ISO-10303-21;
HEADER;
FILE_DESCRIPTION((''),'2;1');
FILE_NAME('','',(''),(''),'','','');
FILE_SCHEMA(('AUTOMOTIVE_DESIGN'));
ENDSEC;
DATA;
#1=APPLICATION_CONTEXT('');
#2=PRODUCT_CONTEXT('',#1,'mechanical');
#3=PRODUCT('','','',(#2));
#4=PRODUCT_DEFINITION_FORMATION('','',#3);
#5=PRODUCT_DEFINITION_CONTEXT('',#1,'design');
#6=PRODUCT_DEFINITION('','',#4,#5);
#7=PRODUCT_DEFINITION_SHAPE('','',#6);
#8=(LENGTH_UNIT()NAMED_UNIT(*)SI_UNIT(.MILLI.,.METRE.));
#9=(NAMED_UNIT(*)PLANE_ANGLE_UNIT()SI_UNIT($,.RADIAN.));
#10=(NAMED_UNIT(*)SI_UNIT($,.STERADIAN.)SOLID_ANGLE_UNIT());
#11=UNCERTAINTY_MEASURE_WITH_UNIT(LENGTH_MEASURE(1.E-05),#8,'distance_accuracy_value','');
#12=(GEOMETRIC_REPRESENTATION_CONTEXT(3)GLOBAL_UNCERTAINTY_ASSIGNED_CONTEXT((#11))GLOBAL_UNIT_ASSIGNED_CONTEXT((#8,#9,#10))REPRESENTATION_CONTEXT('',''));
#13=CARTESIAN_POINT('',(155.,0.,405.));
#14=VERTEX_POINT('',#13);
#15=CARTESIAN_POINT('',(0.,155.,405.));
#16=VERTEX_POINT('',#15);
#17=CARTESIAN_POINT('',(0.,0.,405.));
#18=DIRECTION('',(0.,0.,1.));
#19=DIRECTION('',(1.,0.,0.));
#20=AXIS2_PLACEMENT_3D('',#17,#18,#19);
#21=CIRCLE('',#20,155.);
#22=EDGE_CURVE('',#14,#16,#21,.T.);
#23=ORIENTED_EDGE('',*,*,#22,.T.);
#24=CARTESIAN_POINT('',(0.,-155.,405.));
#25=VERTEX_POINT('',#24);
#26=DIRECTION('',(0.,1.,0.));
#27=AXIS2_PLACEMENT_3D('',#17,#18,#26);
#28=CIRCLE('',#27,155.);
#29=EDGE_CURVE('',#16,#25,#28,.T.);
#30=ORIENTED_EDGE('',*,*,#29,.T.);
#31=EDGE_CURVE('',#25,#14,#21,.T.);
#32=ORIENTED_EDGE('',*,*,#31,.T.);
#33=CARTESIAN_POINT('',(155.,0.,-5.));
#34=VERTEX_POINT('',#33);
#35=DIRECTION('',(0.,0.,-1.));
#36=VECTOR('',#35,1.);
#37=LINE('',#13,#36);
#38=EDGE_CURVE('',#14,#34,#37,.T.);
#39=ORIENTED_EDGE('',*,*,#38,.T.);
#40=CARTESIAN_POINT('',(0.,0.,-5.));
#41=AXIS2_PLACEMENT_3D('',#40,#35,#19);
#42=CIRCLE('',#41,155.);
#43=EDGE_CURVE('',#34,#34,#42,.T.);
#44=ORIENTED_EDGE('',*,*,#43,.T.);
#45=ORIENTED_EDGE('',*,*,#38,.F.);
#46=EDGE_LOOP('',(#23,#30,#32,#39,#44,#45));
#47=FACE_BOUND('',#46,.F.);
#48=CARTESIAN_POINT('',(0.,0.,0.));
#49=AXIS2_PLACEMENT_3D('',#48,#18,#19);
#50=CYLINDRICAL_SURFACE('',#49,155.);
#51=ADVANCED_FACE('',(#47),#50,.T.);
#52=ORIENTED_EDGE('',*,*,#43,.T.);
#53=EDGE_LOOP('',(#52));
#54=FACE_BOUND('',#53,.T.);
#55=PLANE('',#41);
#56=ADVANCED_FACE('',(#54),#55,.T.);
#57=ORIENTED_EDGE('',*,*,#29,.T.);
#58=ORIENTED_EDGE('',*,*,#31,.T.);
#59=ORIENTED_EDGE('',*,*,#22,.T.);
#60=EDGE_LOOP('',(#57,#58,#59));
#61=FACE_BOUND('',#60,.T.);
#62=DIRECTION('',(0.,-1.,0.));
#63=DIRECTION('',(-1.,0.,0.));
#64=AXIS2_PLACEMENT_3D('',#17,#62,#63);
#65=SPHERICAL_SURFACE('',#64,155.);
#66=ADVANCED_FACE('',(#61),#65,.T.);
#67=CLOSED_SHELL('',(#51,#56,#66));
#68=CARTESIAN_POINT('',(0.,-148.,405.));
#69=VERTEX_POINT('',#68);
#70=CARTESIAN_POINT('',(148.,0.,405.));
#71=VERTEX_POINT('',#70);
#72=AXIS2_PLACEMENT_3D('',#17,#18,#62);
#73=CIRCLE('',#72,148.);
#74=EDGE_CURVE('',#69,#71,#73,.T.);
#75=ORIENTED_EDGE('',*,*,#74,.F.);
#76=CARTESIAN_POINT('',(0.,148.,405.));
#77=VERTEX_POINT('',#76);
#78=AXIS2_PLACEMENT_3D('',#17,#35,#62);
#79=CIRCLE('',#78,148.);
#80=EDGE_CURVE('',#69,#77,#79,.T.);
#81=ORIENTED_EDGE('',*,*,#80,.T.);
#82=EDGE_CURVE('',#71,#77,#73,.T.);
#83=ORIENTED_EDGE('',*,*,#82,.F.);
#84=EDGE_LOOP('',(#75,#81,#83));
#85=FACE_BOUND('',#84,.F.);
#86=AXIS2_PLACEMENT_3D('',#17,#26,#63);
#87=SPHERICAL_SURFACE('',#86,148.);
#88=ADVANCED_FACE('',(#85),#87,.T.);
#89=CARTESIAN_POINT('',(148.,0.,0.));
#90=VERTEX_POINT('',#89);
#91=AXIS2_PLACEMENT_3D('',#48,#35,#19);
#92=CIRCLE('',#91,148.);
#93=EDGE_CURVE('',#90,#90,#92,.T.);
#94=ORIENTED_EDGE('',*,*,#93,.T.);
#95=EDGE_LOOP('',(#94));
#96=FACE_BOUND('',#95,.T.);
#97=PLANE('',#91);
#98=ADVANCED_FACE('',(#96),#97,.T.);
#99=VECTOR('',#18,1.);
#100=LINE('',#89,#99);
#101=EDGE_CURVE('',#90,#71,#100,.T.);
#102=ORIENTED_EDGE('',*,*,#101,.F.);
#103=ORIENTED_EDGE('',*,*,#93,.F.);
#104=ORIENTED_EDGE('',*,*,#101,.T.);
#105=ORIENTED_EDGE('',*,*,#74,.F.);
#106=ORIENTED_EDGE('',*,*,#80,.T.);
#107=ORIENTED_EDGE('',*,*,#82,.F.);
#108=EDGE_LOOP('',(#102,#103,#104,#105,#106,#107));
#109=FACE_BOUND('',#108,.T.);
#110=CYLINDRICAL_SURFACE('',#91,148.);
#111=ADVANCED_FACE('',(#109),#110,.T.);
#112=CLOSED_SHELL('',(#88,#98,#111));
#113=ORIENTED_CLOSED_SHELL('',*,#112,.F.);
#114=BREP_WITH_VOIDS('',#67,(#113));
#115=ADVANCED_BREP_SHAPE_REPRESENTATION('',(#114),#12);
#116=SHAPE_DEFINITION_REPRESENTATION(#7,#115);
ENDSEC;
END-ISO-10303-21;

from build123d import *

# Parameters (mm, degrees)
F0_R     = 155
F1_DEPTH = 405
F4_R     = 148
F5_DEPTH = 405
F6_R     = 155
F6_R_2   = 148
F7_DEPTH = 5


with BuildPart() as f1:
    # F0 (on Top) → F1 (new body)
    with BuildSketch(Plane.XY):
        Circle(F0_R)
    extrude(amount=F1_DEPTH)

    # F2 (on face) → F3 (revolve)
    with BuildSketch(Plane.XY.offset(405)):
        with BuildLine():
            Line((0, 148), (0, 155))
            ThreePointArc((0, 155), (-155, 0), (0, -155))
            Line((0, -155), (0, -148))
            ThreePointArc((0, -148), (-148, 0), (0, 148))
        make_face()
    revolve(axis=Axis((0, -77.5, 405), (0, -1, 0)))

    # F4 (on face) → F5 (cut)
    with BuildSketch(Plane(origin=(0, 0, 0), x_dir=(1, 0, 0), z_dir=(0, 0, -1))):
        Circle(F4_R)
    extrude(amount=-F5_DEPTH, mode=Mode.SUBTRACT)

    # F6 (on face) → F7 (join)
    with BuildSketch(Plane(origin=(0, 0, 0), x_dir=(1, 0, 0), z_dir=(0, 0, -1))):
        Circle(F6_R)
        Circle(F6_R_2)
    extrude(amount=F7_DEPTH)


solid = f1.part
